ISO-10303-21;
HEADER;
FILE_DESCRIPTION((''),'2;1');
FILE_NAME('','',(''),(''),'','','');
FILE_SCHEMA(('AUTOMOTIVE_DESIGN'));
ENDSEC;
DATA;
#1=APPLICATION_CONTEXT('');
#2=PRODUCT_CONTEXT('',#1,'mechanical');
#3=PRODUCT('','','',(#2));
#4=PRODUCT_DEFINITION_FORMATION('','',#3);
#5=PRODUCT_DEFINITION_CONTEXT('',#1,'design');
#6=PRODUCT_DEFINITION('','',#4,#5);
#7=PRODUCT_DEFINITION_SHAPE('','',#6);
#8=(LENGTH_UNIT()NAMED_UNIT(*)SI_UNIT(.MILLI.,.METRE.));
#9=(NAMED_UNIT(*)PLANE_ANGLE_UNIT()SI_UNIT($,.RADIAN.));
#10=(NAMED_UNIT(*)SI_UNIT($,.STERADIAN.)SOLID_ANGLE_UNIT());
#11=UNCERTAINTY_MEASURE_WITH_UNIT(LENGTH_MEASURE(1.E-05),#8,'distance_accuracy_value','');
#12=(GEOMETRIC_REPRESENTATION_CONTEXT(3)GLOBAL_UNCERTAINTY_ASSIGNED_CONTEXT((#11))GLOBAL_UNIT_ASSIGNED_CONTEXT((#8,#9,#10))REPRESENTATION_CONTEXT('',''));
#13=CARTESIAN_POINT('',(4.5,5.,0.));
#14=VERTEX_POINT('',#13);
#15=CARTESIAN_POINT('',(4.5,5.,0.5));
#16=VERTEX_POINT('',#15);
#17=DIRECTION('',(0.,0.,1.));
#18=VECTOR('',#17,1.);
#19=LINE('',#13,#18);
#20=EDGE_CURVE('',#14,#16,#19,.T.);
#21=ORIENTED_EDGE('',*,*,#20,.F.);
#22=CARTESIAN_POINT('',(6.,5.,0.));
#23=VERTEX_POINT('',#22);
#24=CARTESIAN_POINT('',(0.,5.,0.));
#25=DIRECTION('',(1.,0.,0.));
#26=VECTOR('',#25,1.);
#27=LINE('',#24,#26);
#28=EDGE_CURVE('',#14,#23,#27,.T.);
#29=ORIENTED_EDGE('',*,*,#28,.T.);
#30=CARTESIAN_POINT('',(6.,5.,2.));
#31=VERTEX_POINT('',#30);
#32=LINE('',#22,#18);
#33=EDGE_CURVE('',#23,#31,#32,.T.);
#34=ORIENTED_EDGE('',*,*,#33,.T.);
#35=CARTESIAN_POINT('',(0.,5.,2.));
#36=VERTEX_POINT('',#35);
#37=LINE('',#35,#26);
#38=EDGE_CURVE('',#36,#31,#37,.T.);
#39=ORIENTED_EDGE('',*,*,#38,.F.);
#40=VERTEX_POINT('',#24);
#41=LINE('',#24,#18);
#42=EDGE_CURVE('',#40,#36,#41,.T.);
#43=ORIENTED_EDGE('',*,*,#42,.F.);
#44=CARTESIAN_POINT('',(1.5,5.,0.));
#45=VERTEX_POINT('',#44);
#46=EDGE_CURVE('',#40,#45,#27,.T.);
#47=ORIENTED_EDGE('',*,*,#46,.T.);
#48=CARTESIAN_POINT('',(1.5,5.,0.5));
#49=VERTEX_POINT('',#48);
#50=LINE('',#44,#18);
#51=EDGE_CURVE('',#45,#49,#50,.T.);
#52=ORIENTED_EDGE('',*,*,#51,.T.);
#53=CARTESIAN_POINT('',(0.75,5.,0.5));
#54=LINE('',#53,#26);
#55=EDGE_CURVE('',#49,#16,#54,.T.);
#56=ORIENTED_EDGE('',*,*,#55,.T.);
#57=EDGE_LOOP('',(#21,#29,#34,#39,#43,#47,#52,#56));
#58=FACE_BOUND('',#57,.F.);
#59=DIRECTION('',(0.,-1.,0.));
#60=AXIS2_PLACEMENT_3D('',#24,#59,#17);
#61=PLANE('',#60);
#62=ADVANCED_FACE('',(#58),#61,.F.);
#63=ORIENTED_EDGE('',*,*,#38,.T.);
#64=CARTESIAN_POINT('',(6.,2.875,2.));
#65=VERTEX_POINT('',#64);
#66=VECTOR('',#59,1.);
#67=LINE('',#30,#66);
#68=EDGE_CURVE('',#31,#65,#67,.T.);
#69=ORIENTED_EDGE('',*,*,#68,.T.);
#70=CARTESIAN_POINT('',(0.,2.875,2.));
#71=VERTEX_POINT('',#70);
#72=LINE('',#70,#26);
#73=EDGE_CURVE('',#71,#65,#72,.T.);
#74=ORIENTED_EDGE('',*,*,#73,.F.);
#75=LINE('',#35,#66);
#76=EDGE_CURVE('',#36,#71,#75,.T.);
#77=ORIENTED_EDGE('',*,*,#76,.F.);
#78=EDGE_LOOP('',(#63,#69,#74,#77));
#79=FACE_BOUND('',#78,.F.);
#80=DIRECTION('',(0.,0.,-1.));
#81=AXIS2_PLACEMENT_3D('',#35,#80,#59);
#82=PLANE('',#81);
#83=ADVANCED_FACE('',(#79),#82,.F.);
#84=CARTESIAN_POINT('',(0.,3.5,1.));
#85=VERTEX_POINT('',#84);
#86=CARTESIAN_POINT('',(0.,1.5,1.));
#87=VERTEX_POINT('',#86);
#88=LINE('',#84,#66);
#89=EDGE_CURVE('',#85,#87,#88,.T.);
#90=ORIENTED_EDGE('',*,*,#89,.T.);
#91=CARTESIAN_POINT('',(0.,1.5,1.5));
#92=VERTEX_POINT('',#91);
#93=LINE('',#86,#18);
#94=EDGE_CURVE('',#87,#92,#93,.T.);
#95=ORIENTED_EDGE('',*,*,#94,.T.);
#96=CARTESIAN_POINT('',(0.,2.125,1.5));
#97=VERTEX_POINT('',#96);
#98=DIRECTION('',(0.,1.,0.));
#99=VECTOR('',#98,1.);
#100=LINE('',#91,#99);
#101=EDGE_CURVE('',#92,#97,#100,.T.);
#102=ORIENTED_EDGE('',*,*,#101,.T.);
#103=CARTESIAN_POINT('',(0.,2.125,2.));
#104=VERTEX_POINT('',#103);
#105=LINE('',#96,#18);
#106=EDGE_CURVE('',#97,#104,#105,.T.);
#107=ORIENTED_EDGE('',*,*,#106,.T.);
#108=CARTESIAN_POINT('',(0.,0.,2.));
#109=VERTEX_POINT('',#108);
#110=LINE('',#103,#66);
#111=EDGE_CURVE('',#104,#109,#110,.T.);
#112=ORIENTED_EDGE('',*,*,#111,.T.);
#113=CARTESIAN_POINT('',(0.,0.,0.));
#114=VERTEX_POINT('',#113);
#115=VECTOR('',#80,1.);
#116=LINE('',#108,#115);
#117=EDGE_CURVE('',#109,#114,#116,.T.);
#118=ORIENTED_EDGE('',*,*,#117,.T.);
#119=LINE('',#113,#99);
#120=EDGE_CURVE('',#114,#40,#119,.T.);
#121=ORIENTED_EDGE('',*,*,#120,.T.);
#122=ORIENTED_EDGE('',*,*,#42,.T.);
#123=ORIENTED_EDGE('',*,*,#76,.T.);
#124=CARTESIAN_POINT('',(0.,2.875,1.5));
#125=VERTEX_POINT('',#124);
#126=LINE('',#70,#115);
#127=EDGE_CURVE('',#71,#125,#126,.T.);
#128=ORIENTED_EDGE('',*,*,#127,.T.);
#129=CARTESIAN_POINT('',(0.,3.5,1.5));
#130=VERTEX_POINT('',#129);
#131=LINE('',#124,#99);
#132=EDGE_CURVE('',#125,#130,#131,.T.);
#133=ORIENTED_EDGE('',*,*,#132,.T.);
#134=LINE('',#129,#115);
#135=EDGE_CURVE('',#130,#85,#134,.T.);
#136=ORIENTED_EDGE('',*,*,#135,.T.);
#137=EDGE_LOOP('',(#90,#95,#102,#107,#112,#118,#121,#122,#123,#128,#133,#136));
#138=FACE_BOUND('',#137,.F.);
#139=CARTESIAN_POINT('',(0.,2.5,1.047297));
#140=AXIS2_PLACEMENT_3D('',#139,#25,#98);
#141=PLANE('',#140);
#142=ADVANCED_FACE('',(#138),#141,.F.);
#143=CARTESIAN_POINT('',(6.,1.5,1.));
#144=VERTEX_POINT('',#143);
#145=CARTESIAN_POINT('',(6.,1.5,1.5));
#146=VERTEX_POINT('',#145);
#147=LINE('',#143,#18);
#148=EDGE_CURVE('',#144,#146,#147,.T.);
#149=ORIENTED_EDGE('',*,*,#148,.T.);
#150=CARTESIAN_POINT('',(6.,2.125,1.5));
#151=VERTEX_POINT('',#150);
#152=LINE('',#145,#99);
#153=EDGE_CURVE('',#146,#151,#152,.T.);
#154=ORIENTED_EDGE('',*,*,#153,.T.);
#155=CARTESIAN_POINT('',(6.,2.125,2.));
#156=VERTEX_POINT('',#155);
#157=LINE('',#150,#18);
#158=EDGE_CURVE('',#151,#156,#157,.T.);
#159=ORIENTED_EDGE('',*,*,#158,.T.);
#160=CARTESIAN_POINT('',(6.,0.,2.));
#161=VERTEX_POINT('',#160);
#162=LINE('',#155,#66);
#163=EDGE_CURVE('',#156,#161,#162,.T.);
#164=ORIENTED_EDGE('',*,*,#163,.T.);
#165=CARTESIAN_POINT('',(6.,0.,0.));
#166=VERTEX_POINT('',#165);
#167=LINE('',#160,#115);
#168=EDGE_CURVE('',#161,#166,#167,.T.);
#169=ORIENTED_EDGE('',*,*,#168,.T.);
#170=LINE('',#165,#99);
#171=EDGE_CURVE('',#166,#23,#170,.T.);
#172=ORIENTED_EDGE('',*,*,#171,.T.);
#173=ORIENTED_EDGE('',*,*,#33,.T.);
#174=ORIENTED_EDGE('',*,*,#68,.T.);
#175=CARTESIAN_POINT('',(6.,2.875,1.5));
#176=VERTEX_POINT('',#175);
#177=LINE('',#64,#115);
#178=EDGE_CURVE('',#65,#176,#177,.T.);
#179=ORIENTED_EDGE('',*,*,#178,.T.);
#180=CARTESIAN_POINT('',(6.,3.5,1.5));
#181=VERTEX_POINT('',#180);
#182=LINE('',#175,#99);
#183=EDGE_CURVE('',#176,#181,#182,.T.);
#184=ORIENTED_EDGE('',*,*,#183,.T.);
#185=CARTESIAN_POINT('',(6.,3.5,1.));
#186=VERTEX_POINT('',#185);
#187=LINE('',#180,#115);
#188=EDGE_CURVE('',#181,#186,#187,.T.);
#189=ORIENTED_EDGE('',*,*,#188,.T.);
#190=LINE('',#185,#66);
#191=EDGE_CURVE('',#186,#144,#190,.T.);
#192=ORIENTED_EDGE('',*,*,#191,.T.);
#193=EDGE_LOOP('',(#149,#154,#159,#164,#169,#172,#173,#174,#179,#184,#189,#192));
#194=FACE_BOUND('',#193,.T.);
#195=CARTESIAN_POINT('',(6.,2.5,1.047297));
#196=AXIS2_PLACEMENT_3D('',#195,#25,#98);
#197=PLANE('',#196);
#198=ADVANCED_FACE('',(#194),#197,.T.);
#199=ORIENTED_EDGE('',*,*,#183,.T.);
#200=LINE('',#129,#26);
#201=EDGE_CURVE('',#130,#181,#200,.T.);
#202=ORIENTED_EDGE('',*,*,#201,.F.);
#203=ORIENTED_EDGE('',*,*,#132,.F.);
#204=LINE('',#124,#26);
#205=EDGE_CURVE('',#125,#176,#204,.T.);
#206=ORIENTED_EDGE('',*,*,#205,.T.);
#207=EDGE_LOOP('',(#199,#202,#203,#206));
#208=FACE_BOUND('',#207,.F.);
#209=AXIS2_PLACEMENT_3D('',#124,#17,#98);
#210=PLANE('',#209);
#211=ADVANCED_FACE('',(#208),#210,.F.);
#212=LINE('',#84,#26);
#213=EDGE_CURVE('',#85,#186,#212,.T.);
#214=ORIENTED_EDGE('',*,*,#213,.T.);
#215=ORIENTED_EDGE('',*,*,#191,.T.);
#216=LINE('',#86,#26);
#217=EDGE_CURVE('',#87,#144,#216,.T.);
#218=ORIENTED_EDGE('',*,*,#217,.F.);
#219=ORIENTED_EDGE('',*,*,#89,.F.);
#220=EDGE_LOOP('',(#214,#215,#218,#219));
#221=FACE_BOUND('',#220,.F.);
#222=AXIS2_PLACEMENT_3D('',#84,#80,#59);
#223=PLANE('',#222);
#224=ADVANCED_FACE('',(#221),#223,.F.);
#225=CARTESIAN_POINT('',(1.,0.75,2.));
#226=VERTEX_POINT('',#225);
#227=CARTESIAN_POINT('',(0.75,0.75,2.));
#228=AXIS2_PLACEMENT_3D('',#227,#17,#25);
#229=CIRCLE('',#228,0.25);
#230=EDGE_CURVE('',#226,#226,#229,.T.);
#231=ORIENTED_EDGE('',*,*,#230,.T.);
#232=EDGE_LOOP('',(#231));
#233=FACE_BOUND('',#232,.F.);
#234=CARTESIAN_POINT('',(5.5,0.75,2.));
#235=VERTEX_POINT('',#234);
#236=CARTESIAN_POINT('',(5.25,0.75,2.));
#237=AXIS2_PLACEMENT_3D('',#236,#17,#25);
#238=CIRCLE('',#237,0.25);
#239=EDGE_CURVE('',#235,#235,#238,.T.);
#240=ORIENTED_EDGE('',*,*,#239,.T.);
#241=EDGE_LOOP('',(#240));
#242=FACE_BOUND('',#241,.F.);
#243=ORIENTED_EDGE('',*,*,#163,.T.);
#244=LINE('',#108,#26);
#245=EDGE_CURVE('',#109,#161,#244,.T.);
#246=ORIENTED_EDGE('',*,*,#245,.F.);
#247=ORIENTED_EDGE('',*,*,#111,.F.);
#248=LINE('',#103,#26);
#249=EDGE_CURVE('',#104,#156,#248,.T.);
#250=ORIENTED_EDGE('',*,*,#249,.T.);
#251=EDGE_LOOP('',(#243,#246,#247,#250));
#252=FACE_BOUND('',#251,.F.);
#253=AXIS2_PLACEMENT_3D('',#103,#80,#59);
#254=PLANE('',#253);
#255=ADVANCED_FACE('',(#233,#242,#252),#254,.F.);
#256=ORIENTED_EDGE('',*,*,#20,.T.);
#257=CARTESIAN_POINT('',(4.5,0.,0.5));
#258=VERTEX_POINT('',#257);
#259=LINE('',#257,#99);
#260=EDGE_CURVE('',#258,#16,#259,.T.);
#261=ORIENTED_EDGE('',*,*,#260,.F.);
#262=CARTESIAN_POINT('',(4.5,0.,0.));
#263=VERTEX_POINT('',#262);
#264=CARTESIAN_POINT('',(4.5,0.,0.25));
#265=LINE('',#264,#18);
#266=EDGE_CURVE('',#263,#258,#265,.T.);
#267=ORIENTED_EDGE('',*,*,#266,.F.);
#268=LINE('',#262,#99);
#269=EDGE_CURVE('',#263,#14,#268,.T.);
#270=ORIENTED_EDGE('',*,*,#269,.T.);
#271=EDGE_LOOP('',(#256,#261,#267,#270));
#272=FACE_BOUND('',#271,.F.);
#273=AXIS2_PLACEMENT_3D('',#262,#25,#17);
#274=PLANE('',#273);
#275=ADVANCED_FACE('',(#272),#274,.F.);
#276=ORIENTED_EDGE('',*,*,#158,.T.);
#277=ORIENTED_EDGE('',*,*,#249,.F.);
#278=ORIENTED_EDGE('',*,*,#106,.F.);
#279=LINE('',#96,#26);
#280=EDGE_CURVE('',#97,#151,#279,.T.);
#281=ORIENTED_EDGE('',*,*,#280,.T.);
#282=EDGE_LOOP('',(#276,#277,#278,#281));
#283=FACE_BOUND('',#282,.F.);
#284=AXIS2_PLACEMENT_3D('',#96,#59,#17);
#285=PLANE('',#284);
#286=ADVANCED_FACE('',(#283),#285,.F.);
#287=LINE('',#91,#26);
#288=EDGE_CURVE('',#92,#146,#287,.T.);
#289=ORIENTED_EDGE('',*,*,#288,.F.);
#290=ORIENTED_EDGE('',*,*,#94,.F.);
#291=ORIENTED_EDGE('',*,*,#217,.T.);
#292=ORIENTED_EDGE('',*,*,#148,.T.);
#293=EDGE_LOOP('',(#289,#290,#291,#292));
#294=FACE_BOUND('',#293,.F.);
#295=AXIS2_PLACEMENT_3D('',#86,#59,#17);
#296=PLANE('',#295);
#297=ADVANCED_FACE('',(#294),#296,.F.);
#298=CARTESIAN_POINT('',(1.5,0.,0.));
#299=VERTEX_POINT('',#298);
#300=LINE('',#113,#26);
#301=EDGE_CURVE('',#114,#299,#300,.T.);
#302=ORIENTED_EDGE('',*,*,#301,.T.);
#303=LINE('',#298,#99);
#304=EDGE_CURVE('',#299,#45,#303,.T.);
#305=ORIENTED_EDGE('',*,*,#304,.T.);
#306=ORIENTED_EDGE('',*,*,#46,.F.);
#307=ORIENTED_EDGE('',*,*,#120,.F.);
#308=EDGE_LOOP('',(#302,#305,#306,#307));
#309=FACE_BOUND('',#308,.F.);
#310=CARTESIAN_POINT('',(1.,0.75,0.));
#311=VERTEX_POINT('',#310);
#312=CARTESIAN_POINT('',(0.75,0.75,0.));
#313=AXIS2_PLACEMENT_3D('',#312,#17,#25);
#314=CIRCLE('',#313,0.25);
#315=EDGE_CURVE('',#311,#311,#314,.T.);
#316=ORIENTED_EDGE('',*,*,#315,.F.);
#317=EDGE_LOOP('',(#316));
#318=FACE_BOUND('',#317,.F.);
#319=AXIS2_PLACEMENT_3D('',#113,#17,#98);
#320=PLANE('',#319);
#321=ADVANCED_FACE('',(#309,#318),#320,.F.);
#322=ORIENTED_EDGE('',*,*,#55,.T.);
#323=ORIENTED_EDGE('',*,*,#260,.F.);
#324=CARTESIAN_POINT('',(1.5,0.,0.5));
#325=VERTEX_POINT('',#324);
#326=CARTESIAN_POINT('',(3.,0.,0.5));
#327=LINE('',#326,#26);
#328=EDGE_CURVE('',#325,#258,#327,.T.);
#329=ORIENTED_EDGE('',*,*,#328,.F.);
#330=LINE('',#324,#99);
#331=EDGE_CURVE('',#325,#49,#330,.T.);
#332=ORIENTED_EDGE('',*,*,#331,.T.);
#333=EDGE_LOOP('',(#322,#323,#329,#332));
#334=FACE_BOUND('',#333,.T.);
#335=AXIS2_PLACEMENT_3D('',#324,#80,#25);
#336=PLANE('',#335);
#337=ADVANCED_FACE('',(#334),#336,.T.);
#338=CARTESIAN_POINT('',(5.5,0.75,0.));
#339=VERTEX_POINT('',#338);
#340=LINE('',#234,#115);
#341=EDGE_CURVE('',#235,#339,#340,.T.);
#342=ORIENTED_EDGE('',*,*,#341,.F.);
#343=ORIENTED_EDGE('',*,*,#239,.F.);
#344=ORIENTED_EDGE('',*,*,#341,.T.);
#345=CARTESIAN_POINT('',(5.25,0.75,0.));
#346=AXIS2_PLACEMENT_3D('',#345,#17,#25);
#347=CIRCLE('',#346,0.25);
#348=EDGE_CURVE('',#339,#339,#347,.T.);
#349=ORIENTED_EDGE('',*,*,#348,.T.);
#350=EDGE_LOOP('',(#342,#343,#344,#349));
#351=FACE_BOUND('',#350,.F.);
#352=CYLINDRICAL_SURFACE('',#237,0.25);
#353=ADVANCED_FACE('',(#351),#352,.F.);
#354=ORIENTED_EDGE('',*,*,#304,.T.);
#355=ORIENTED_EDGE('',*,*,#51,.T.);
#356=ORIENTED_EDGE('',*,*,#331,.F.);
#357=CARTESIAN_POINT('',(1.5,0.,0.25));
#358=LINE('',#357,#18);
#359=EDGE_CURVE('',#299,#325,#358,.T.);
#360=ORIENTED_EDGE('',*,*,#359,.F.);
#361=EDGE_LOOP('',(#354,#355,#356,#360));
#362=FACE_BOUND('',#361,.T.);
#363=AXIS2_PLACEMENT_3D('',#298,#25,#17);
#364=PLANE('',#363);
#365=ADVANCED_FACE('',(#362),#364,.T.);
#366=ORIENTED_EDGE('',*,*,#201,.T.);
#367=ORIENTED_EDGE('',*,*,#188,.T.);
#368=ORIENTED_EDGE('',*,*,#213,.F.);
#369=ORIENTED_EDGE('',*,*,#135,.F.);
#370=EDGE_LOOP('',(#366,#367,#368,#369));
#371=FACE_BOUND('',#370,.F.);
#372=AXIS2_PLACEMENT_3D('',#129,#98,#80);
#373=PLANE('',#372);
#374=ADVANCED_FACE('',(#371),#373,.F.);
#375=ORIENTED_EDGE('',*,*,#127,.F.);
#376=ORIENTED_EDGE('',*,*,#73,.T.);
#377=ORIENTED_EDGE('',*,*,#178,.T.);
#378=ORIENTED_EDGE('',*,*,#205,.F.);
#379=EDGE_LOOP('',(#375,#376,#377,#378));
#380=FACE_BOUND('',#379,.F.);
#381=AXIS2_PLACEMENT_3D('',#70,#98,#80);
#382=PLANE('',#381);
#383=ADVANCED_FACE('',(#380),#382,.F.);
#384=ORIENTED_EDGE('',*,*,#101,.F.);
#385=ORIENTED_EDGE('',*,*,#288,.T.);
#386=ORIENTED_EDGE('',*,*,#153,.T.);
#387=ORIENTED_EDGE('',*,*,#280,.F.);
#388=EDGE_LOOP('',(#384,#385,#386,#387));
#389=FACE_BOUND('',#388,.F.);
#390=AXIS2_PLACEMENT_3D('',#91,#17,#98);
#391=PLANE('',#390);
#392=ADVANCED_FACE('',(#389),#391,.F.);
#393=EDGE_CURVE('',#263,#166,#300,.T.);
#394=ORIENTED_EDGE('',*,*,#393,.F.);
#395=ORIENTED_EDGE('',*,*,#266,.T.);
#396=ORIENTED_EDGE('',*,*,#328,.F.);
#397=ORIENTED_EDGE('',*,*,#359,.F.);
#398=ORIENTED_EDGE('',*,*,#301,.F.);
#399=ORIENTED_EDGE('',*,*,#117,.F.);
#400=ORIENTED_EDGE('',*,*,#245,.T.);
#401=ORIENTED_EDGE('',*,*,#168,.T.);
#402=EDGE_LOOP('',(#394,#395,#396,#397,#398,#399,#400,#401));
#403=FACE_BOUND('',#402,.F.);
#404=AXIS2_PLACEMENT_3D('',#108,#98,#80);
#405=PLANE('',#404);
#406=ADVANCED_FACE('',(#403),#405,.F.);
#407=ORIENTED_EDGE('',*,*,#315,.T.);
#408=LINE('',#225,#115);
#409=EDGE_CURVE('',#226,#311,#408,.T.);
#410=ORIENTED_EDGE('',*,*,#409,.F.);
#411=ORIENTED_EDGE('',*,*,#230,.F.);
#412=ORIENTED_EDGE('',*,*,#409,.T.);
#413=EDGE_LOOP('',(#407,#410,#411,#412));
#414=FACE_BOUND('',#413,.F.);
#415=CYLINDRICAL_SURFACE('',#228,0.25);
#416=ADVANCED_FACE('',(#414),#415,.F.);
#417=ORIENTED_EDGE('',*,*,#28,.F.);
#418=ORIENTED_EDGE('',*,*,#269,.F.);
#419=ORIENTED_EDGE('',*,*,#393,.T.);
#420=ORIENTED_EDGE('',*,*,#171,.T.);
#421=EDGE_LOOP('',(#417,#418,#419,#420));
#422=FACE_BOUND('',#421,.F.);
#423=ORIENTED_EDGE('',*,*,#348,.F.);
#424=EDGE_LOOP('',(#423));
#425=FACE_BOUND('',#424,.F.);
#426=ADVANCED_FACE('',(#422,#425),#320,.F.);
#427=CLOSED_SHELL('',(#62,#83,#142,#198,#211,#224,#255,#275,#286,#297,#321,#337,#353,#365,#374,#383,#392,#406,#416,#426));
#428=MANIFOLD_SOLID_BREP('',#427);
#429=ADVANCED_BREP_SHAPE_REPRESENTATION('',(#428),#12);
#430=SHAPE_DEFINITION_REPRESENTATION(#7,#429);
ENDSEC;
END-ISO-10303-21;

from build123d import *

# Parameters (mm, degrees)
F1_DEPTH = 6
F2_R     = 0.25
F3_DEPTH = 25
F4_W     = 3
F4_H     = 0.5
F5_DEPTH = 25


with BuildPart() as f1:
    # F0 (on Right) → F1 (new body)
    with BuildSketch(Plane.YZ):
        Polygon((0, 2), (0, 0), (5, 0), (5, 2), (2.875, 2), (2.875, 1.5), (3.5, 1.5), (3.5, 1), (1.5, 1), (1.5, 1.5), (2.125, 1.5), (2.125, 2), align=None)
    extrude(amount=F1_DEPTH)

    # F2 (on face) → F3 (cut)
    with BuildSketch(Plane.XY.offset(2)):
        with Locations((0.75, 0.75)):
            Circle(F2_R)
        with Locations((5.25, 0.75)):
            Circle(F2_R)
    extrude(amount=-F3_DEPTH, mode=Mode.SUBTRACT)

    # F4 (on face) → F5 (cut)
    with BuildSketch(Plane.XZ):
        with Locations((3, 0.25)):
            Rectangle(F4_W, F4_H)
    extrude(amount=-F5_DEPTH, mode=Mode.SUBTRACT)


solid = f1.part
